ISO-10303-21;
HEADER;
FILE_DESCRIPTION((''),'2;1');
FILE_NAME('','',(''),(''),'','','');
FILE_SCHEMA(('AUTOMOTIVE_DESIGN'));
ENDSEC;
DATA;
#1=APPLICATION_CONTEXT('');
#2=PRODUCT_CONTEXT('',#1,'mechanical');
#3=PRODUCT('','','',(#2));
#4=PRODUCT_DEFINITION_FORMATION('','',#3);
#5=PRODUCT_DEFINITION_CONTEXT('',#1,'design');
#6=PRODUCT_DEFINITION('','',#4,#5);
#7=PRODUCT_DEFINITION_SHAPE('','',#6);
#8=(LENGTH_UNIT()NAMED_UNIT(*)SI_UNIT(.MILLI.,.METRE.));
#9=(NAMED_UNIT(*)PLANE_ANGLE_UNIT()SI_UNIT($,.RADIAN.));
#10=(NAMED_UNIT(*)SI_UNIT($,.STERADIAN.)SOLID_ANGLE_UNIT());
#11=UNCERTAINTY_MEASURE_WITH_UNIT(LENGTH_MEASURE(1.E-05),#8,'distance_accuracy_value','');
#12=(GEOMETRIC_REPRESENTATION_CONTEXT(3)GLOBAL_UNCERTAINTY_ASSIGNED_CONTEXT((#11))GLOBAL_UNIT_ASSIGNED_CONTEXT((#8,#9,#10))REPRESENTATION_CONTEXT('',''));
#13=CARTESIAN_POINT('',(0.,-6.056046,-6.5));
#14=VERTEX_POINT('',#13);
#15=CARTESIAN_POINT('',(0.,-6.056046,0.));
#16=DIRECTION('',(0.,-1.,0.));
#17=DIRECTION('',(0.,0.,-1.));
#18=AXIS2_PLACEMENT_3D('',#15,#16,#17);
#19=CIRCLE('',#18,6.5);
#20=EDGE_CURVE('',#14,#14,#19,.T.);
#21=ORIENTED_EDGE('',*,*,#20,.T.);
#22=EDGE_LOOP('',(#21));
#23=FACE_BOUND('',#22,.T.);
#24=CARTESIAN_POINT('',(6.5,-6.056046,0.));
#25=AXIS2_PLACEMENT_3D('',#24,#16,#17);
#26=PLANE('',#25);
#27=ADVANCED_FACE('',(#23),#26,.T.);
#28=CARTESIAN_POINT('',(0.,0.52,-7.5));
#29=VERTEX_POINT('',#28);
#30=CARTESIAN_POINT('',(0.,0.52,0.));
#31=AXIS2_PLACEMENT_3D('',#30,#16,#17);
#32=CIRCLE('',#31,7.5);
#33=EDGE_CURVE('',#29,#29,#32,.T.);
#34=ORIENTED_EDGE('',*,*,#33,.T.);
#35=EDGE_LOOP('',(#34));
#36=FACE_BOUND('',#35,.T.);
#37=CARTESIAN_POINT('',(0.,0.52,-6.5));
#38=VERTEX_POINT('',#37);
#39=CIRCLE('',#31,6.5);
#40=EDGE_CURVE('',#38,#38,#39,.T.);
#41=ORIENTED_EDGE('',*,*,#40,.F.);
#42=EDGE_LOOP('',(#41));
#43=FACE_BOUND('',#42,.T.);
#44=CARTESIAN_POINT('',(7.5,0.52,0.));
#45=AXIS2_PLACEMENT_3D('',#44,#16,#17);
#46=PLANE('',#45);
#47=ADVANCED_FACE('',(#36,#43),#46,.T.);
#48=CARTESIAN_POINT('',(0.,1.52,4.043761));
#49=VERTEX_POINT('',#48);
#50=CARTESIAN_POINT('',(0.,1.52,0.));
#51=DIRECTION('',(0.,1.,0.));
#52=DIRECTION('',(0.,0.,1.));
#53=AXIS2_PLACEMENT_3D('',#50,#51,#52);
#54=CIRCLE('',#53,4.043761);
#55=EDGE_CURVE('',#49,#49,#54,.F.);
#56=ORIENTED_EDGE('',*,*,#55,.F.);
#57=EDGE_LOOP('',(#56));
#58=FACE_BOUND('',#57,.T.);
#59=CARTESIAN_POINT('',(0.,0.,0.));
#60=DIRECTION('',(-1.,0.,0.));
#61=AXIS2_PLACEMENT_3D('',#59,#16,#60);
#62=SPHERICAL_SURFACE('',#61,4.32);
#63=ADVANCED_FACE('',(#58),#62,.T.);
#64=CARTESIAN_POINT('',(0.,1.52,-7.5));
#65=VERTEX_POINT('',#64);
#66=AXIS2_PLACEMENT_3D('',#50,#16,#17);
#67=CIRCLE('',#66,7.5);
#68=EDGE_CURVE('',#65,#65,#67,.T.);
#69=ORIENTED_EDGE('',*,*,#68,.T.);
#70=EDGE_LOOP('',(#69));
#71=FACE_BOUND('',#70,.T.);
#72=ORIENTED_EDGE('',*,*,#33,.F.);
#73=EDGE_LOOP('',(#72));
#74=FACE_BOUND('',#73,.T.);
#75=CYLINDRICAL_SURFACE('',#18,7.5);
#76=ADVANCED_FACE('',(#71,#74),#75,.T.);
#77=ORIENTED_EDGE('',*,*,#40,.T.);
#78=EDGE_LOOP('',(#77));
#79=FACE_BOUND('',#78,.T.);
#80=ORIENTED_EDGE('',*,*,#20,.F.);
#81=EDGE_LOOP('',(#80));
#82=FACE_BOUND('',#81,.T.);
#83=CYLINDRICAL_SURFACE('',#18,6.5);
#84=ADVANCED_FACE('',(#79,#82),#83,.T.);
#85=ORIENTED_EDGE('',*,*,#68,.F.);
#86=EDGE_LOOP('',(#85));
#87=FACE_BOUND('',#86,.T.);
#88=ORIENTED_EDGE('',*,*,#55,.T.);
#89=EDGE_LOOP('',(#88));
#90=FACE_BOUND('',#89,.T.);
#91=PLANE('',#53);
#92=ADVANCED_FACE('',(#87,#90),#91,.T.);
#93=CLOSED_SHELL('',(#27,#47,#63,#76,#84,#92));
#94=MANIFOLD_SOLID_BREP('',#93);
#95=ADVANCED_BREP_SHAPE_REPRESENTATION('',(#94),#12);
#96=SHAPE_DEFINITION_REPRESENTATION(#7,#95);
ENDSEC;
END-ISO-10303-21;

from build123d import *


with BuildPart() as part:
    # 草图1 → 旋转2 (revolve)
    with BuildSketch(Plane.XY):
        with BuildLine():
            Line((0, 4.32), (0, -4.32))
            ThreePointArc((0, -4.32), (4.32, 0), (0, 4.32))
        make_face()
    revolve(axis=Axis((0, 0, 0), (0, 1, 0)))

    # 草图2 → 旋转3 (revolve)
    with BuildSketch(Plane.XY, mode=Mode.PRIVATE) as revolve_3_sk:
        Polygon((0, 1.52), (7.5, 1.52), (7.5, 0.52), (6.5, 0.52), (6.5, -6.05604586), (0, -6.05604586), align=None)
    revolve(revolve_3_sk.sketch.rotate(Axis((0, -6.05604586, 0), (0, 1, 0)), 90), axis=Axis((0, -6.05604586, 0), (0, 1, 0)))


solid = part.part
